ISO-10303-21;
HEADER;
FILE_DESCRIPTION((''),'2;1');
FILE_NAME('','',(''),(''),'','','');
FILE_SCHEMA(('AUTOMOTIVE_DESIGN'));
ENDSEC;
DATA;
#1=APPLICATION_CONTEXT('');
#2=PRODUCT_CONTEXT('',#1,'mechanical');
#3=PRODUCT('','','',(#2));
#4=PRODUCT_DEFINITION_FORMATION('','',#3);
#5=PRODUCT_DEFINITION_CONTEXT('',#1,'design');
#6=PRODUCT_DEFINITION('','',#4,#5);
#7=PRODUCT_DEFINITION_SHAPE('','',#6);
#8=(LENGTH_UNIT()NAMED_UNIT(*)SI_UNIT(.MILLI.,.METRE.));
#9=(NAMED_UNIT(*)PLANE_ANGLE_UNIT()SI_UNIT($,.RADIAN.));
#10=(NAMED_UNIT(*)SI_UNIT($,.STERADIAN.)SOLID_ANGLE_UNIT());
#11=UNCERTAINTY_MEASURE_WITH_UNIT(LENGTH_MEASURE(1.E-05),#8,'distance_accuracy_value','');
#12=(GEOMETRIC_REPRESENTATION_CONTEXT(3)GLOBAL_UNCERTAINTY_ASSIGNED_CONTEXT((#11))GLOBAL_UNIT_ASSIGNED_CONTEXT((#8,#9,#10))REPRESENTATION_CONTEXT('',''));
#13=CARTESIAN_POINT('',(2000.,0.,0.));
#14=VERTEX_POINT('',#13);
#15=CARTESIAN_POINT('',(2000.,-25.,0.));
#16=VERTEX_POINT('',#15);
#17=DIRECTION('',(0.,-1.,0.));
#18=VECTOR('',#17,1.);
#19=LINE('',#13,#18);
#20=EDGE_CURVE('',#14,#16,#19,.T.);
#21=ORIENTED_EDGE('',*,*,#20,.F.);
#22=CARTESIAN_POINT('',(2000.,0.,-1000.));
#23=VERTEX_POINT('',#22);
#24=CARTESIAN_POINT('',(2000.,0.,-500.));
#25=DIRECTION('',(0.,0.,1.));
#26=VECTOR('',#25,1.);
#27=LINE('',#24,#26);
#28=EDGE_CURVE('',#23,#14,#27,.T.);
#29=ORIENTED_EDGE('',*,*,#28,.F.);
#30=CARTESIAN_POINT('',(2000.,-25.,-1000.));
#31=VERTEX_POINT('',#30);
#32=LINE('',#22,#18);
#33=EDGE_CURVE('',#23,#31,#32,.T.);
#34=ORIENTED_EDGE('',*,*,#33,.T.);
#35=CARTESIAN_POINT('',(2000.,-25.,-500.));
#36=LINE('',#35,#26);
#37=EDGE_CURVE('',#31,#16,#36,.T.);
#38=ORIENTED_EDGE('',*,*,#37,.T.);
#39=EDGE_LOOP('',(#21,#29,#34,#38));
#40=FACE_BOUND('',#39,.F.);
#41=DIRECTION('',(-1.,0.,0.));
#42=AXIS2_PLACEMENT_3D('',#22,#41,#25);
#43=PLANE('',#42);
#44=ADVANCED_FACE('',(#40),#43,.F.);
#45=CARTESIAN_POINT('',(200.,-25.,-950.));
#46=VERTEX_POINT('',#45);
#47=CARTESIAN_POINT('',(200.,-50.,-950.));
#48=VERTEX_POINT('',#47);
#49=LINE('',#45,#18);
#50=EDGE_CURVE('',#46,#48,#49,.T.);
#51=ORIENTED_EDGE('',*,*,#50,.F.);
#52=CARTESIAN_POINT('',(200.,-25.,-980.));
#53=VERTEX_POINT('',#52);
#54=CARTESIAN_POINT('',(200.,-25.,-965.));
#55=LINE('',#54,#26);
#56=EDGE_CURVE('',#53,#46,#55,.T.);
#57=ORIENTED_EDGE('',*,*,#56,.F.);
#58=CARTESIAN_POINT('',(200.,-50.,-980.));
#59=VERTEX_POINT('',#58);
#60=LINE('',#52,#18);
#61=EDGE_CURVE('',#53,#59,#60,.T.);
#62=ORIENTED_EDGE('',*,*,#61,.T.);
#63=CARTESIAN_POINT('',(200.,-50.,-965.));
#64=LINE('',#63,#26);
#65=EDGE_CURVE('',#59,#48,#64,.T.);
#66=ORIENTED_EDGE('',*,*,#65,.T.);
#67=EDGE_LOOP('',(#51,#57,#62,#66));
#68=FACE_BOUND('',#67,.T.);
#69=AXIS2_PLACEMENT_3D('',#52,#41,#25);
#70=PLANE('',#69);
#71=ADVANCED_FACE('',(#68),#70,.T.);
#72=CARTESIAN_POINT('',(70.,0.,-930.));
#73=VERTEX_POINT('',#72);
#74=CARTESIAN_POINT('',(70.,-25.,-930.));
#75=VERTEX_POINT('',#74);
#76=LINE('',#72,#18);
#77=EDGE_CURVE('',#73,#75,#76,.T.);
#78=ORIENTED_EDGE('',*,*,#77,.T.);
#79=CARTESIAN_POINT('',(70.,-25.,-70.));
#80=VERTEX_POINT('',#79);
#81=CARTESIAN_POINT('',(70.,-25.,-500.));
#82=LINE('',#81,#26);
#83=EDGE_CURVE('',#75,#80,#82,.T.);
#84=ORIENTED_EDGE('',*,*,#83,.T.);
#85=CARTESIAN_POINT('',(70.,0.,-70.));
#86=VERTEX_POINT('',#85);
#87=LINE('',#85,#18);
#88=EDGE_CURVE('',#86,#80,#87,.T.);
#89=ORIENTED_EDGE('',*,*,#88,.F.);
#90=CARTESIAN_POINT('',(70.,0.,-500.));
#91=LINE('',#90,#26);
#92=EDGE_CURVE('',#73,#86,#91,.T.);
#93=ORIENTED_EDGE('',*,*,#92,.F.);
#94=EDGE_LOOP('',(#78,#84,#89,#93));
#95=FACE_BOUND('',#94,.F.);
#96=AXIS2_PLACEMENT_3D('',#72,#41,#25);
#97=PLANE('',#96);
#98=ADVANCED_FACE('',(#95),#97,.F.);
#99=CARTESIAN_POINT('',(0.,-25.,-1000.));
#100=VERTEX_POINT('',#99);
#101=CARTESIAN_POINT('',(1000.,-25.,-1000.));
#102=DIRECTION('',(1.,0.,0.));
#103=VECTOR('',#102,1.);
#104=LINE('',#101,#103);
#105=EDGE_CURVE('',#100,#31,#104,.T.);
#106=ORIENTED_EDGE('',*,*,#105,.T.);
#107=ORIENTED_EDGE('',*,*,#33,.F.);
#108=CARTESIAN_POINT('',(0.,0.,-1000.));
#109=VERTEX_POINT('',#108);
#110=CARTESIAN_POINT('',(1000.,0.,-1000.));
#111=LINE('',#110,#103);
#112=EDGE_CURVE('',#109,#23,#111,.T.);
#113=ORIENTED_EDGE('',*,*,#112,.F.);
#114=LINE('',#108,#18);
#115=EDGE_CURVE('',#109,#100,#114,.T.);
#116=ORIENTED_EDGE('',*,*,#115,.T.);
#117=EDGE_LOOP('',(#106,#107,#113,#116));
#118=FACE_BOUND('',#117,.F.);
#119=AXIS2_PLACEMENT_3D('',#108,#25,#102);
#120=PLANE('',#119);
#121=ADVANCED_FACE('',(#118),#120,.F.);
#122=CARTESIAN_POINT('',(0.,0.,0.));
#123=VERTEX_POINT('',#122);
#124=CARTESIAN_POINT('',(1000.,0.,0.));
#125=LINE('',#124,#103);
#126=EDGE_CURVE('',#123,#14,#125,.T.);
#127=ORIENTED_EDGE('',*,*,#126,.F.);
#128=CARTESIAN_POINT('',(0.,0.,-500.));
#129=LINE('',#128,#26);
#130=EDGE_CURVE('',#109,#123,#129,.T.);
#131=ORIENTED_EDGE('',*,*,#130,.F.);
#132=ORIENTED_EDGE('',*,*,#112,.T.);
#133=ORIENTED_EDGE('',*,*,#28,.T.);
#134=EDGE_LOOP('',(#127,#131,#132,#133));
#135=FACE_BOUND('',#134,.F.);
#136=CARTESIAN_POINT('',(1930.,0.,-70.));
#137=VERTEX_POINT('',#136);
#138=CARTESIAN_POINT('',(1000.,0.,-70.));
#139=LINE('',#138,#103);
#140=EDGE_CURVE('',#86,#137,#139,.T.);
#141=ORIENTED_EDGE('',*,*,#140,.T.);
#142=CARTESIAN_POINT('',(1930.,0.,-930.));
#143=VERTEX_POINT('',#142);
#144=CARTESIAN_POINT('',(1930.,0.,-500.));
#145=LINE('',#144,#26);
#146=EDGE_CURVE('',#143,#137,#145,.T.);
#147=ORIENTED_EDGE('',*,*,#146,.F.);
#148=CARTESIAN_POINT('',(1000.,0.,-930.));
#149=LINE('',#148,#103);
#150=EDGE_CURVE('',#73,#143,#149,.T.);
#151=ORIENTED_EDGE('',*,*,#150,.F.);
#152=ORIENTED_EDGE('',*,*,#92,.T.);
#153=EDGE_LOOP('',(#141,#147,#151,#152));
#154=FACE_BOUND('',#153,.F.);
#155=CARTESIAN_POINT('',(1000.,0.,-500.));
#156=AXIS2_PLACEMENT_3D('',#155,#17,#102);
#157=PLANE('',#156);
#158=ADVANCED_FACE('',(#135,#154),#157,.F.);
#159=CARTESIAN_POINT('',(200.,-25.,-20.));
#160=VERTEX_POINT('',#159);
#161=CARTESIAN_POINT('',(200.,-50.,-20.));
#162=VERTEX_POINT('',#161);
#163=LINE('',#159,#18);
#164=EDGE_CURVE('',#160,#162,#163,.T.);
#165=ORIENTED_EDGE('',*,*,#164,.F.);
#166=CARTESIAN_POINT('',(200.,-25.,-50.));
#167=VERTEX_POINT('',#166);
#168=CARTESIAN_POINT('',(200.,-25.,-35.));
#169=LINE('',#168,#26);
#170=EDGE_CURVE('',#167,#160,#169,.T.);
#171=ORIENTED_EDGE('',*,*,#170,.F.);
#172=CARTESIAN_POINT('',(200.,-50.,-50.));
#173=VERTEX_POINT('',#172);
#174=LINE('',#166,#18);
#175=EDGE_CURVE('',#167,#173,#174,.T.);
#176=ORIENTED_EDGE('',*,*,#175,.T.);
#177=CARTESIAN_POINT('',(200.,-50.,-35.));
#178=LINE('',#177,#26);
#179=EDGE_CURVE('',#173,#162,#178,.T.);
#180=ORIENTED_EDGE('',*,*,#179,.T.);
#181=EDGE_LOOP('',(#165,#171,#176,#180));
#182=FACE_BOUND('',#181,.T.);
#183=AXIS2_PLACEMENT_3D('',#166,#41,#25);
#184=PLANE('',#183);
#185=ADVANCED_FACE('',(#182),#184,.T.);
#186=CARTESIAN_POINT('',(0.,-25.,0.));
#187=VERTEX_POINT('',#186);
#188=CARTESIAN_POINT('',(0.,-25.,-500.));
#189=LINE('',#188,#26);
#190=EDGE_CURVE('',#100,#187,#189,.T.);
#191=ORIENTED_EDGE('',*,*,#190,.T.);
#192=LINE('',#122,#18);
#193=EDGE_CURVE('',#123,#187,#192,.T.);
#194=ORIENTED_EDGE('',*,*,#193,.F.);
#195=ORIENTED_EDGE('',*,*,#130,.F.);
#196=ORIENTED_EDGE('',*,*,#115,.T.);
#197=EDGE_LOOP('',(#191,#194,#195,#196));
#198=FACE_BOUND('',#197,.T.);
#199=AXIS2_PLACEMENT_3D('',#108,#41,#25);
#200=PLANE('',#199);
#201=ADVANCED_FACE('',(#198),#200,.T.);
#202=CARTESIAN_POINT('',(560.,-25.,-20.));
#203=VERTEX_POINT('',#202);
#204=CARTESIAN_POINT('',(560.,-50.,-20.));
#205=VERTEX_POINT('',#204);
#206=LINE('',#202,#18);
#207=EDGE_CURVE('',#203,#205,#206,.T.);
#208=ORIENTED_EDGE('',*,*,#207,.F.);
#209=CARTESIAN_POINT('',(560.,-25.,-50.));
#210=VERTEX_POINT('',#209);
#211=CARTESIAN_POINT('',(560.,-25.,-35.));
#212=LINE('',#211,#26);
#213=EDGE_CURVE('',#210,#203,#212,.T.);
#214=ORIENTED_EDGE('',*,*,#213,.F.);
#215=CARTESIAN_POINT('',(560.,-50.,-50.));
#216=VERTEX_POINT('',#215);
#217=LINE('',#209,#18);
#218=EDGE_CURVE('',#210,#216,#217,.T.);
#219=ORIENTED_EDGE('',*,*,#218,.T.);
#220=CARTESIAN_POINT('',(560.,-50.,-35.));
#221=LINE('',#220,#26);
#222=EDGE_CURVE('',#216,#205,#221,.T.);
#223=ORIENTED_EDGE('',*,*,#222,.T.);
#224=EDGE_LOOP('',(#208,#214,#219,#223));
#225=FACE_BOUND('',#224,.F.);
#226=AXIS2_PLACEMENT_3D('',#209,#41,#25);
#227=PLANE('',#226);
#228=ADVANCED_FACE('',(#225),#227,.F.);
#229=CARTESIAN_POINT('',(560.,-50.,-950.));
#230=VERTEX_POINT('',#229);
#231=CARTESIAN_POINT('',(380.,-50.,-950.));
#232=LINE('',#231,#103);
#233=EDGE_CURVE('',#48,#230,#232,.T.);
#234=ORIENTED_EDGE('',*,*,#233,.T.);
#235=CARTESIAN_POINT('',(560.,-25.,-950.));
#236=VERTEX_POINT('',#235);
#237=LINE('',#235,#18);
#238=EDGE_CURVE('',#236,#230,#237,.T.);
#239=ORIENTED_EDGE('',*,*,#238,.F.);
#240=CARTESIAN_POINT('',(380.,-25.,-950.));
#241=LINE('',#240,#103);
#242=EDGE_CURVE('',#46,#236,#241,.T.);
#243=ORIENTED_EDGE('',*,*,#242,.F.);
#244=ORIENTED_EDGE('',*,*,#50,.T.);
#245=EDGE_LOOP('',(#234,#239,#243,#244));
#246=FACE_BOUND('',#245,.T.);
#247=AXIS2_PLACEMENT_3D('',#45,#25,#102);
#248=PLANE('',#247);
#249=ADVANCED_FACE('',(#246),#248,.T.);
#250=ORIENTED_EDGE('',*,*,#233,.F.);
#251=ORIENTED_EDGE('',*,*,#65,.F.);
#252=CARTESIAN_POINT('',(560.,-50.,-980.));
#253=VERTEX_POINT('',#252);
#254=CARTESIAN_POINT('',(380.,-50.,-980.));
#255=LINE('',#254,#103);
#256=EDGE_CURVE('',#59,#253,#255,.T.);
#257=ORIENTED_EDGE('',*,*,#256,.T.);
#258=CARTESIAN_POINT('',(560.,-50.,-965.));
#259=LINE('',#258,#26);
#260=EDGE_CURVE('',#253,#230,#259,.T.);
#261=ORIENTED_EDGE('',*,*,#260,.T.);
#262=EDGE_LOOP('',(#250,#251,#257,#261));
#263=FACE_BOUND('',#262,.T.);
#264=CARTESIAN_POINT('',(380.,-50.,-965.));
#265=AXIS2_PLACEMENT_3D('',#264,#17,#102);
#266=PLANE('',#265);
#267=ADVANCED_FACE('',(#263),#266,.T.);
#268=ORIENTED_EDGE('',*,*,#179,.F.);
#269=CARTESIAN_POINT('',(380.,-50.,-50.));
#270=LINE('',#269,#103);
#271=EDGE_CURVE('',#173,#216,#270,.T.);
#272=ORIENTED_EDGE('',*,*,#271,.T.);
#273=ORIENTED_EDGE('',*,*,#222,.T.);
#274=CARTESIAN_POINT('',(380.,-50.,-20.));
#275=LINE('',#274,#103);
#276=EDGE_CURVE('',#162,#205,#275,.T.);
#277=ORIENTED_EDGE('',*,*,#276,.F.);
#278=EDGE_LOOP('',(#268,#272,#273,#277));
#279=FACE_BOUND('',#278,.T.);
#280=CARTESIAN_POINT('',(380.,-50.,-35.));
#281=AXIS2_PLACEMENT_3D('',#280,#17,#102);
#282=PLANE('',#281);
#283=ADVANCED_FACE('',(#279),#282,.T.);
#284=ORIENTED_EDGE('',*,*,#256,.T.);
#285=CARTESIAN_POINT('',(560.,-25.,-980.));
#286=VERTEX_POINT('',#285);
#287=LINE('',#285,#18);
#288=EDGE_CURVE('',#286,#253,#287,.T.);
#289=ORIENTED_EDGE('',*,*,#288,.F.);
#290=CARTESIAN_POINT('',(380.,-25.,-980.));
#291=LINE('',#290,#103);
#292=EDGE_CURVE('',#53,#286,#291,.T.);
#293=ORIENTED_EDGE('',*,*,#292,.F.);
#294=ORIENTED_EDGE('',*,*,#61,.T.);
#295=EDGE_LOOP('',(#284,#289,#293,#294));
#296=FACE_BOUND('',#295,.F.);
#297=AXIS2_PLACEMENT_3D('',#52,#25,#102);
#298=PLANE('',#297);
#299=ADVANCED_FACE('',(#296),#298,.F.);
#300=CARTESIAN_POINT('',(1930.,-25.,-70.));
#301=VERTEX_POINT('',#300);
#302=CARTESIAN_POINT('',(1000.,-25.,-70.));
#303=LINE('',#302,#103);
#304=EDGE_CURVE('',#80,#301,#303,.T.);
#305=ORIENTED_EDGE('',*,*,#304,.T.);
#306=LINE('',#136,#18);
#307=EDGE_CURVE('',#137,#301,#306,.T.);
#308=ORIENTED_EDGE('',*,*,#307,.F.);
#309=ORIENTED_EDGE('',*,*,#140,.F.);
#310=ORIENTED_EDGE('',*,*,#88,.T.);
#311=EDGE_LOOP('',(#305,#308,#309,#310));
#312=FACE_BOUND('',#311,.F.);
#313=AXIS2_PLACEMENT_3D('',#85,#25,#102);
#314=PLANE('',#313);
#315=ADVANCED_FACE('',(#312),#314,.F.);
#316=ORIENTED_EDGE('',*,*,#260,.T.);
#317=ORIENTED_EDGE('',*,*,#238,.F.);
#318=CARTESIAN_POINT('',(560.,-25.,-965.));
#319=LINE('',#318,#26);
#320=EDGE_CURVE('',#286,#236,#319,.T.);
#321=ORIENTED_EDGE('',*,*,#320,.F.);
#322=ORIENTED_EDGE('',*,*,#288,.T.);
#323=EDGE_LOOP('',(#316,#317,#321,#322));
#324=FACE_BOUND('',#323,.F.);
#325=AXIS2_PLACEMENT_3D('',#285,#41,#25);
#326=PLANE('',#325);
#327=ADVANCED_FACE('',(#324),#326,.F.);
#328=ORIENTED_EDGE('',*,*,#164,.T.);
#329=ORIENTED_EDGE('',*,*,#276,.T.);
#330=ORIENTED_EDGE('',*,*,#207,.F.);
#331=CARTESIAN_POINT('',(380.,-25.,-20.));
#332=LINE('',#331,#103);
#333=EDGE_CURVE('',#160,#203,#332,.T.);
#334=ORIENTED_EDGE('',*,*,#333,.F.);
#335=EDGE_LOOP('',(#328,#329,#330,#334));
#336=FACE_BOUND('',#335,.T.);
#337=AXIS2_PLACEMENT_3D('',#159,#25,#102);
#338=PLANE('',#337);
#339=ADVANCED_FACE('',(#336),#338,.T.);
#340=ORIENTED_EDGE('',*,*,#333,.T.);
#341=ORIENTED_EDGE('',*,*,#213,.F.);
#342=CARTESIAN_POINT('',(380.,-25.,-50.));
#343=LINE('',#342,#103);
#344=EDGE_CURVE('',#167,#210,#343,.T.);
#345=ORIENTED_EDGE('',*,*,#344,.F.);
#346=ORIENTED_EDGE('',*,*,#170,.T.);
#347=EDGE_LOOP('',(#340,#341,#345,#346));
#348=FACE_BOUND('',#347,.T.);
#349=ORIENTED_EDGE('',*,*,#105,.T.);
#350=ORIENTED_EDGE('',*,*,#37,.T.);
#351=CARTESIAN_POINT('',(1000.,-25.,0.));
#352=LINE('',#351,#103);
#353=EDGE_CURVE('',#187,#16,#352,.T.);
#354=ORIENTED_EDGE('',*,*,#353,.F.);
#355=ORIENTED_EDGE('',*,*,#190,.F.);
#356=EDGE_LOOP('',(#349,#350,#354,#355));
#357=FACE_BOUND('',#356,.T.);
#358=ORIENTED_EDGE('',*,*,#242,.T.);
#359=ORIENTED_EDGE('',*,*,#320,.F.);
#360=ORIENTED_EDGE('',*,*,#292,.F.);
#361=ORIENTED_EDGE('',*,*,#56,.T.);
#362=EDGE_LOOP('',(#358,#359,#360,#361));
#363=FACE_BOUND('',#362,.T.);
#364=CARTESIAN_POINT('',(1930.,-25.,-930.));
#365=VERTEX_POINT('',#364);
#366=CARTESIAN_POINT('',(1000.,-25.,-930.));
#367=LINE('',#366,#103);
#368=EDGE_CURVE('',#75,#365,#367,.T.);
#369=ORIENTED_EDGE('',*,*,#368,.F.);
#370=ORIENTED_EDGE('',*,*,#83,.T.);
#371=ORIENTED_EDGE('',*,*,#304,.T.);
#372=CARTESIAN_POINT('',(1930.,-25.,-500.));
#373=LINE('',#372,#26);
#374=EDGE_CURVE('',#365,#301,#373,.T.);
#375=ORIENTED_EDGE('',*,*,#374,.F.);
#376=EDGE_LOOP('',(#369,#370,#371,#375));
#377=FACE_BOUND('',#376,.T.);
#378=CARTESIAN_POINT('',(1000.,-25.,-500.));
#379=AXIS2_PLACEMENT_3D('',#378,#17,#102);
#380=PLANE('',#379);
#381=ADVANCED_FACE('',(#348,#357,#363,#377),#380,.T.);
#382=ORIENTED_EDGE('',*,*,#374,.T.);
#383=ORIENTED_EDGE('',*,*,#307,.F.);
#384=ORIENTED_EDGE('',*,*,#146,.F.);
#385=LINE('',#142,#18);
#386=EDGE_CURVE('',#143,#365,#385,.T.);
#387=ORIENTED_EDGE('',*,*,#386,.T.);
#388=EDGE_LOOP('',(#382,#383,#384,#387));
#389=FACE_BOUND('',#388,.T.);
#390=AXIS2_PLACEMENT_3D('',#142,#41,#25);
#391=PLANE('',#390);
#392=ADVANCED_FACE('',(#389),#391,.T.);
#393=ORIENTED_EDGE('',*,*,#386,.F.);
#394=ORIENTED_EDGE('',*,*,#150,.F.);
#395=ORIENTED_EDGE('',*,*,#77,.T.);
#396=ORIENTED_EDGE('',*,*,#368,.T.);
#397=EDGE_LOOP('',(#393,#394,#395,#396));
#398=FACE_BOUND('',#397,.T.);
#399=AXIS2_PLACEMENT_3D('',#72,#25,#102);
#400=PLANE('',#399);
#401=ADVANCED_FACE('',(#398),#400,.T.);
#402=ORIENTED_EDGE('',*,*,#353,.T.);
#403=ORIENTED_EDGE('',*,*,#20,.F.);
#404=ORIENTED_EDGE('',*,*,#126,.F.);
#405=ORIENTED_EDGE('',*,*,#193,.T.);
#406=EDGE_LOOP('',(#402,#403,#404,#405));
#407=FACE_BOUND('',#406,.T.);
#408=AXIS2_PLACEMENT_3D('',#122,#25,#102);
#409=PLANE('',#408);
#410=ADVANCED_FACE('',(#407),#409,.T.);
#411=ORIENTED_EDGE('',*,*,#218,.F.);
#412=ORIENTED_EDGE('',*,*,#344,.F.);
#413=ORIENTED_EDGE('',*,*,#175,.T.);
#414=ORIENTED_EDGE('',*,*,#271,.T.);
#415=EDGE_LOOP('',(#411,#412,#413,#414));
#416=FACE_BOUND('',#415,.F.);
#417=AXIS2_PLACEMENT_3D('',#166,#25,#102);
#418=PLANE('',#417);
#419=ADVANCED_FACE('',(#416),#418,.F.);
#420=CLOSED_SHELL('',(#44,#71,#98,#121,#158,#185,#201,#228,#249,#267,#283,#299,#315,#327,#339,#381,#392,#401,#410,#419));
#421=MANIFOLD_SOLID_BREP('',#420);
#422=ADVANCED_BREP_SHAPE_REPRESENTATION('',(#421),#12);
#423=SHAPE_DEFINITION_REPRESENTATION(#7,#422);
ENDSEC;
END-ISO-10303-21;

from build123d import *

# Parameters (mm, degrees)
F0_W     = 2000
F0_H     = 1000
F0_W_2   = 1860
F0_H_2   = 860
F1_DEPTH = 25
F2_W     = 360
F2_H     = 30
F3_DEPTH = 25


with BuildPart() as f1:
    # F0 (on Front) → F1 (new body)
    with BuildSketch(Plane.XZ):
        with Locations((1000, -500)):
            Rectangle(F0_W, F0_H)
        with Locations((1000, -500)):
            Rectangle(F0_W_2, F0_H_2, mode=Mode.SUBTRACT)
    extrude(amount=F1_DEPTH)

    # F2 (on face) → F3 (join)
    with BuildSketch(Plane.XZ.offset(25)):
        with Locations((380, -35)):
            Rectangle(F2_W, F2_H)
        with Locations((380, -965)):
            Rectangle(F2_W, F2_H)
    extrude(amount=F3_DEPTH)


solid = f1.part
